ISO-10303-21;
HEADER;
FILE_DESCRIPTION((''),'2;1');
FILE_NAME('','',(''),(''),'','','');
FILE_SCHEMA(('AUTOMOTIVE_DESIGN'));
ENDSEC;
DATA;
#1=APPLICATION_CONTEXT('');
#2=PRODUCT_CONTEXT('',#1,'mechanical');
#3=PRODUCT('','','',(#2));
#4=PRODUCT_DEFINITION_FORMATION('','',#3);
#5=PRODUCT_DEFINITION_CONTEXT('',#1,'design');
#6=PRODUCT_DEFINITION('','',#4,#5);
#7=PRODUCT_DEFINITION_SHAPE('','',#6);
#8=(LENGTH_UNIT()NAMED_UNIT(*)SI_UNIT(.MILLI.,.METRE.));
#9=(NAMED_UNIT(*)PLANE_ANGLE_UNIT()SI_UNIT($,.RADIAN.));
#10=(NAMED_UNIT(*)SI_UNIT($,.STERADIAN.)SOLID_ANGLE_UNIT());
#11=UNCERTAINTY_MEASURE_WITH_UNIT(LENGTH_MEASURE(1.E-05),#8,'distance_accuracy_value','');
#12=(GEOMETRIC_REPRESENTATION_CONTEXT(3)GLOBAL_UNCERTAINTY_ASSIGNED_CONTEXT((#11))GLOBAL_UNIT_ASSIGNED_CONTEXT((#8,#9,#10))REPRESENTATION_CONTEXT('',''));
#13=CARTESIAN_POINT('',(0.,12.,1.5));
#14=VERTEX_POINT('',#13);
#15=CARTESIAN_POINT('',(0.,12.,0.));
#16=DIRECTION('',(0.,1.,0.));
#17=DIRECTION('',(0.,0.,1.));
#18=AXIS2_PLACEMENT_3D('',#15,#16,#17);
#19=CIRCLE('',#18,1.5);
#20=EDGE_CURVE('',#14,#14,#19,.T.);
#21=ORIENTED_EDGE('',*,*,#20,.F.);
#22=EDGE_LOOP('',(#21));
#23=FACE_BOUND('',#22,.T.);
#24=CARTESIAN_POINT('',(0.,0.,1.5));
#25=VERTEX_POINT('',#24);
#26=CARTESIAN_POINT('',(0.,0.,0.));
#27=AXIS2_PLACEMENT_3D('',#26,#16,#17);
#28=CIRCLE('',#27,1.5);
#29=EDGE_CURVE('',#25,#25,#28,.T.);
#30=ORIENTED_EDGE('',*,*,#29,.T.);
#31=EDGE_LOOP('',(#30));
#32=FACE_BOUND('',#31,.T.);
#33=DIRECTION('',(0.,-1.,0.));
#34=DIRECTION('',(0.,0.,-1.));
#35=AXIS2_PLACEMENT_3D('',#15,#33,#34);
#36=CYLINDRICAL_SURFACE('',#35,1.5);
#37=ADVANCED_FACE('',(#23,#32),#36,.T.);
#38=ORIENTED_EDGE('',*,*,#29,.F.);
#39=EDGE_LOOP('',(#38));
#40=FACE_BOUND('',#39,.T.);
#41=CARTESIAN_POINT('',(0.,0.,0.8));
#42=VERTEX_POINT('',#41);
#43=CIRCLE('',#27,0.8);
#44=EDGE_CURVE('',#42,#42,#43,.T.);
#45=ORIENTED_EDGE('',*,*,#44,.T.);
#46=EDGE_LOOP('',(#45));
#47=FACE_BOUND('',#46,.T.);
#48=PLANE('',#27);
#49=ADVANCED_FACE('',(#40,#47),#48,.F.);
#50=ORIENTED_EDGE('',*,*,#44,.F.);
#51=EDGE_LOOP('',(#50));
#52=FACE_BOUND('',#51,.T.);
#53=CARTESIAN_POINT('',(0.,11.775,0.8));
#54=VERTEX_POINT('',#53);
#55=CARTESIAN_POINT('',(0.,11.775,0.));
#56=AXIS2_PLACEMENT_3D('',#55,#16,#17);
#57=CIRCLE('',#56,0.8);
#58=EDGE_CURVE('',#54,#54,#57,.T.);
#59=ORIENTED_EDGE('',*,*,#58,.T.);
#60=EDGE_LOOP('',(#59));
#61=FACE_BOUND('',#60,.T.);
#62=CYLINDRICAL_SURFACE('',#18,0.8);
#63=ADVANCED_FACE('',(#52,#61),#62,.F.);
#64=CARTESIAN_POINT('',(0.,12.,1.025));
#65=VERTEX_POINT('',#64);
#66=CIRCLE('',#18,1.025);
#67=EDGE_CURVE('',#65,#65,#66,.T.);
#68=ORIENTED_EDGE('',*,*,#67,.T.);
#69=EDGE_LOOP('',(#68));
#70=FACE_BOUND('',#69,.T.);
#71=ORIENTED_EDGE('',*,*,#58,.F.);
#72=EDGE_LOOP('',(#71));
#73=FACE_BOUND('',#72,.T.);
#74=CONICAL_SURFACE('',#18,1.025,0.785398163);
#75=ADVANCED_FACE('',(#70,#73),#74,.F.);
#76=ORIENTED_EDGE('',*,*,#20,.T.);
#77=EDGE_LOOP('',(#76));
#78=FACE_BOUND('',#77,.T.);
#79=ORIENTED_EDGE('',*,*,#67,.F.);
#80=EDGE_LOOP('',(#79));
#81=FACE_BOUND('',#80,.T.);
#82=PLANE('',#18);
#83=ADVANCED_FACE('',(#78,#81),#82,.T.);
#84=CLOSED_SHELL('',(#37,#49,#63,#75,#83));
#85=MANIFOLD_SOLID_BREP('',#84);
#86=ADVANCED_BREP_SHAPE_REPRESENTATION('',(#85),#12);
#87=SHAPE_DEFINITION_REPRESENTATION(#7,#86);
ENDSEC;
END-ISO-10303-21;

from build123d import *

# Parameters (mm, degrees)
SKETCH_1_R                   = 1.5
EXTRUDE_1_DEPTH              = 12
HOLE_WIZARD_M2_1_D           = 1.6
HOLE_WIZARD_M2_1_DEPTH       = 16
HOLE_WIZARD_M2_1_CSINK_D     = 2.05
HOLE_WIZARD_M2_1_CSINK_ANGLE = 90
HOLE_WIZARD_M2_1_TIP         = 0.480688495


with BuildPart() as part:
    # 草图1 → 凸台-拉伸1 (new body)
    with BuildSketch(Plane(origin=(0, 0, 0), x_dir=(1, 0, 0), z_dir=(0, 1, 0))):
        with Locations(Location((0, 0, 0), (0, 0, 270))):
            Circle(SKETCH_1_R)
    extrude(amount=EXTRUDE_1_DEPTH)

    # M2 螺纹孔1
    with Locations(Plane(origin=(0, 12, 0), x_dir=(1, 0, 0), z_dir=(0, 1, 0))):
        with Locations((0, 0)):
            CounterSinkHole(HOLE_WIZARD_M2_1_D / 2, HOLE_WIZARD_M2_1_CSINK_D / 2, depth=HOLE_WIZARD_M2_1_DEPTH, counter_sink_angle=HOLE_WIZARD_M2_1_CSINK_ANGLE)
            with Locations((0, 0, -(HOLE_WIZARD_M2_1_DEPTH + HOLE_WIZARD_M2_1_TIP / 2))):  # 118° drill point
                Cone(0, HOLE_WIZARD_M2_1_D / 2, HOLE_WIZARD_M2_1_TIP, mode=Mode.SUBTRACT)


solid = part.part
